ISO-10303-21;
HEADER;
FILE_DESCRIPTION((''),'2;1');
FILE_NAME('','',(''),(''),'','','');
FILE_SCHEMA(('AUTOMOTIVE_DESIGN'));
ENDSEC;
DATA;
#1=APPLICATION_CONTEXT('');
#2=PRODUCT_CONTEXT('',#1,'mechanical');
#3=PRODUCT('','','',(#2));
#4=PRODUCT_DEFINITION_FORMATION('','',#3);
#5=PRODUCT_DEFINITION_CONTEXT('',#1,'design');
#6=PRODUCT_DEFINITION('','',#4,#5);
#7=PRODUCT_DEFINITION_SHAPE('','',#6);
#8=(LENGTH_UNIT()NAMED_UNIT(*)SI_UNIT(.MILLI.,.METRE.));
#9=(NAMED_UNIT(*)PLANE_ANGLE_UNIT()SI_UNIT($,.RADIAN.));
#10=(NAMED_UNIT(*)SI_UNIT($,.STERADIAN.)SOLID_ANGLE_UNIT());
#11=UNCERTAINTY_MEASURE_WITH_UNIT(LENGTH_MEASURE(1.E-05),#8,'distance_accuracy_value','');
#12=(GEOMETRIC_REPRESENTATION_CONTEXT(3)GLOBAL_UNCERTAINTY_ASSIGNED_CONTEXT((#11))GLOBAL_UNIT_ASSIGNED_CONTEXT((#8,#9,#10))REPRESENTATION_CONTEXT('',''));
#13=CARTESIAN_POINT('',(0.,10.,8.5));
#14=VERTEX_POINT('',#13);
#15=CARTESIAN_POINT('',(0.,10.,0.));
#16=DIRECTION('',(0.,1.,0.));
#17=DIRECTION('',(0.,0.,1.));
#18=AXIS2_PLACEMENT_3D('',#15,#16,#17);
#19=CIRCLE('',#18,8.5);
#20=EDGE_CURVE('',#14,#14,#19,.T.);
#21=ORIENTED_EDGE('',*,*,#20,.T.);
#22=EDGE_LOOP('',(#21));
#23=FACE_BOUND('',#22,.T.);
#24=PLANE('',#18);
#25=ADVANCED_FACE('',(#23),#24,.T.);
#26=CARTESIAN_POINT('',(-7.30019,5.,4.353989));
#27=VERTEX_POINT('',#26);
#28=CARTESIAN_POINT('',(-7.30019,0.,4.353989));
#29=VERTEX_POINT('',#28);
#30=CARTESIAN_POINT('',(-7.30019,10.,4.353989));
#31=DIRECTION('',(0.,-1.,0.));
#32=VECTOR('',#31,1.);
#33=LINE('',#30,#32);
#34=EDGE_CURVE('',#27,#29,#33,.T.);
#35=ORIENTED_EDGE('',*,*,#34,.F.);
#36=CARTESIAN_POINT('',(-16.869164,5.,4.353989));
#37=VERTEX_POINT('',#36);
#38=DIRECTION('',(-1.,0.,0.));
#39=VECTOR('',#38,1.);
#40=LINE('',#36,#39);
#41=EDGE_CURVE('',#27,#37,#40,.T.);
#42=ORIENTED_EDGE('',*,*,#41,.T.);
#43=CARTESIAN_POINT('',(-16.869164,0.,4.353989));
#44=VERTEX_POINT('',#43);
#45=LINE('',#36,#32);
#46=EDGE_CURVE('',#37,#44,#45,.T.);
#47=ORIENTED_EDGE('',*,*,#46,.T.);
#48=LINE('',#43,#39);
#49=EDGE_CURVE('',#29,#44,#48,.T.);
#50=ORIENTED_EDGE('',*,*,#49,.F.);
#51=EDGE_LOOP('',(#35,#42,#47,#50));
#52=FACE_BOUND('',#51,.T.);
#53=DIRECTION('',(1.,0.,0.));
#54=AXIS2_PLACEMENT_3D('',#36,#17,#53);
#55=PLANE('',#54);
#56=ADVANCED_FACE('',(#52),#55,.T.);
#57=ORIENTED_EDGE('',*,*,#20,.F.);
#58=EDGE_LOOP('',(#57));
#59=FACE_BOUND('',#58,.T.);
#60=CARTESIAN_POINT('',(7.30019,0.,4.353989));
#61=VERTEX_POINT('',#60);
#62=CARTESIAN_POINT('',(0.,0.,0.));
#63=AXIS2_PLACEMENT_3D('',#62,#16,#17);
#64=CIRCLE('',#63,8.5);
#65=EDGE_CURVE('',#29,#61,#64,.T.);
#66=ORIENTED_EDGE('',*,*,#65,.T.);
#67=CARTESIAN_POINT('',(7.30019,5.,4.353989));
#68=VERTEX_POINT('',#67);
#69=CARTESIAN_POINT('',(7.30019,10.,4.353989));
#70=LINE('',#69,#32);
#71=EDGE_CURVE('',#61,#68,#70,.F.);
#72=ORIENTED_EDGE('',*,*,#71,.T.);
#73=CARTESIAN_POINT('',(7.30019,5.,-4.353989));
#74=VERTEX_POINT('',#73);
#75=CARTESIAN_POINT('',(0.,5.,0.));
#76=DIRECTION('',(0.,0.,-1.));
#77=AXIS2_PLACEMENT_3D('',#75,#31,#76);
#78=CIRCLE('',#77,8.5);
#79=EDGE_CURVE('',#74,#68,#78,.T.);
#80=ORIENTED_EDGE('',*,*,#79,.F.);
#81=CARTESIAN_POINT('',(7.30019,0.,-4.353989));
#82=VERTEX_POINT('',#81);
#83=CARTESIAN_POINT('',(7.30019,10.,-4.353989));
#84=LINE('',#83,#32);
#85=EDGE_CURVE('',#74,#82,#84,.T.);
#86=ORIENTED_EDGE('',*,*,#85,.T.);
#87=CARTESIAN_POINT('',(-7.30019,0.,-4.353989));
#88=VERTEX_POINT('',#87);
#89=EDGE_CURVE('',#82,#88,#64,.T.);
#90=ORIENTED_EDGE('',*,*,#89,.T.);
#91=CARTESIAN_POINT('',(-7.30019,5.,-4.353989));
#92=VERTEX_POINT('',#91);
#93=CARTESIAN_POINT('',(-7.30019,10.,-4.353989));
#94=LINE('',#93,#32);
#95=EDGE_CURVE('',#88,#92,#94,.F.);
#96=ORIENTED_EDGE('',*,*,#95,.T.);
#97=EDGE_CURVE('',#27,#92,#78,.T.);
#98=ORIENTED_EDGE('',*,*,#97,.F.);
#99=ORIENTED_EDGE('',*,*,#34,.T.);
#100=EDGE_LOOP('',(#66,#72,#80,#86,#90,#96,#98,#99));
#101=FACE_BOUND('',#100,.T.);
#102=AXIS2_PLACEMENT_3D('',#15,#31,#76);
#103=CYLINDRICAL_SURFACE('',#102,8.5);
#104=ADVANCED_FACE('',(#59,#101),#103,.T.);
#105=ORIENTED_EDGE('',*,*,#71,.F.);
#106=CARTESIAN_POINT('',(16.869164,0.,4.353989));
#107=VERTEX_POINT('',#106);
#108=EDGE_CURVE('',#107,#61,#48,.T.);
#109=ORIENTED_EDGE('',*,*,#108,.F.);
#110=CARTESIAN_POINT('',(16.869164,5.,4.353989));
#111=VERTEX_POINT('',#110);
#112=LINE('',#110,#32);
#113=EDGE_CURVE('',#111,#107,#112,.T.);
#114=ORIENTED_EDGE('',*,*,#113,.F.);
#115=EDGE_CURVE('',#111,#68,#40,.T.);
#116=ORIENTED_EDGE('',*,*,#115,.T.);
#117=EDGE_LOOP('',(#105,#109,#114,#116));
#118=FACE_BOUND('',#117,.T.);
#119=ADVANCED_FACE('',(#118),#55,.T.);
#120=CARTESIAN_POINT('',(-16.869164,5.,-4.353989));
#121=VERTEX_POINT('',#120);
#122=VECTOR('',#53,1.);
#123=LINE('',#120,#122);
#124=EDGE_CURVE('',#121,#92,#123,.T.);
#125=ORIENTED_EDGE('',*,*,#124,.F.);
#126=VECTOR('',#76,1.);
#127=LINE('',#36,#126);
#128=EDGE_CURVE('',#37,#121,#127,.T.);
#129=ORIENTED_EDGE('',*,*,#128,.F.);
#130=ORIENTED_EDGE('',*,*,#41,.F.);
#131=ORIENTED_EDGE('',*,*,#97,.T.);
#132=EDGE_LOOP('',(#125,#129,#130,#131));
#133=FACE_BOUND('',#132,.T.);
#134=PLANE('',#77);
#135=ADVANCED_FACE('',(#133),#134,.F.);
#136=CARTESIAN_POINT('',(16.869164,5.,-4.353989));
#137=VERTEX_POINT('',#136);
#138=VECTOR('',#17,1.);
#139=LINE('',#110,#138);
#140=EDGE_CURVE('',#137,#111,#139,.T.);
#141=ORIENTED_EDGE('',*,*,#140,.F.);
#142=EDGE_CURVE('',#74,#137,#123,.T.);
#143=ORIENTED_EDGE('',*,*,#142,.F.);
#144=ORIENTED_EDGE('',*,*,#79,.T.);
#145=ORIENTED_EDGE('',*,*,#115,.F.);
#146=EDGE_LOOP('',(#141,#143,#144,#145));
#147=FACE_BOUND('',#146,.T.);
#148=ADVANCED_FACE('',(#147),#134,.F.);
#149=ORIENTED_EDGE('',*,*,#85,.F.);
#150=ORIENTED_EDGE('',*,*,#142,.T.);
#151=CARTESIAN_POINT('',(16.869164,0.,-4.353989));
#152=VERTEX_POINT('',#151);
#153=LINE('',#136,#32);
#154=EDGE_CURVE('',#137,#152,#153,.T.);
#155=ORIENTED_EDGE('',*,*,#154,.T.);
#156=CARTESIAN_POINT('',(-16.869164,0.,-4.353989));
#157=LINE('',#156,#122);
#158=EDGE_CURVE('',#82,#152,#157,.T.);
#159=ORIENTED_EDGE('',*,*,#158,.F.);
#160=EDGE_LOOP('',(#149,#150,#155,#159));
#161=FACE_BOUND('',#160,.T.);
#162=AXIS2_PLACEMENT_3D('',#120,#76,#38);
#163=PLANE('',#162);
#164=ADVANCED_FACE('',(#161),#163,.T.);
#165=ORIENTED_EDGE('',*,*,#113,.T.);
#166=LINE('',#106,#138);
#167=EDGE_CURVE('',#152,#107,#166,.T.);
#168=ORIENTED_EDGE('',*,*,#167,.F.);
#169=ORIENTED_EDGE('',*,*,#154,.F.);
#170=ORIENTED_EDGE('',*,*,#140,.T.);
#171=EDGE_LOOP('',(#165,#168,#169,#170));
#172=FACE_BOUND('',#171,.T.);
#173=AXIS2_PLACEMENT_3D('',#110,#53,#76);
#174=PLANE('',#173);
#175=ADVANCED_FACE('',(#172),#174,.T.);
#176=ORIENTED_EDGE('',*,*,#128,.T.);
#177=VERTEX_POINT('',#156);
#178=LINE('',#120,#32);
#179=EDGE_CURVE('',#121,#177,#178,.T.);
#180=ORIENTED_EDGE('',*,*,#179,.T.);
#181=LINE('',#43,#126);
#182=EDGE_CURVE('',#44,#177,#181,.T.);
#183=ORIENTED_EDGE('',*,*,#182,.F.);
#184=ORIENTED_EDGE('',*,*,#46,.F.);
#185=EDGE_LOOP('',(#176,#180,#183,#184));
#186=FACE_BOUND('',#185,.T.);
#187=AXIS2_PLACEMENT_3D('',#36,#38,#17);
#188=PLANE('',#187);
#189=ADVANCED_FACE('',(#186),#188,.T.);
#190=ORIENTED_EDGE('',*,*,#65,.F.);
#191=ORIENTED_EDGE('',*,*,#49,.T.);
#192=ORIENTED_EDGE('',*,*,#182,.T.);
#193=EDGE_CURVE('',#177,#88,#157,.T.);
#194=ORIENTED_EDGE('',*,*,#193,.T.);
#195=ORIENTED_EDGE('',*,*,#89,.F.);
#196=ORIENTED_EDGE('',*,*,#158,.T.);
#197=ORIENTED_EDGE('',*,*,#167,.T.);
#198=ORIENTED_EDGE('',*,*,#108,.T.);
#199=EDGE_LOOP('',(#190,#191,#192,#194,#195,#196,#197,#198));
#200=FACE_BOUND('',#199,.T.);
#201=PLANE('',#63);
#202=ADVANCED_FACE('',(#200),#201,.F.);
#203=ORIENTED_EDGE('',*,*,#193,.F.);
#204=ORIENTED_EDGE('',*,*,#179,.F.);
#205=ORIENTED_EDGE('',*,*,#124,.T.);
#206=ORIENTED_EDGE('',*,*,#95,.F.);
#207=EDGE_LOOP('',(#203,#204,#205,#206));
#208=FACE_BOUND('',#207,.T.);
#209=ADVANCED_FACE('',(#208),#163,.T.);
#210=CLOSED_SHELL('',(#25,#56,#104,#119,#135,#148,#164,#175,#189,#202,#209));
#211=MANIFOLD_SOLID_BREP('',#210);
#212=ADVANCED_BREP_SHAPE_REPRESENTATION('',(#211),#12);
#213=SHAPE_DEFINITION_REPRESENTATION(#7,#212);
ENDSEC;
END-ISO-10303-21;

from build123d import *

# Parameters (mm, degrees)
SKETCH1_R           = 8.5
BOSS_EXTRUDE1_DEPTH = 10
SKETCH3_W           = 33.738328928
SKETCH3_H           = 8.707977782
BOSS_EXTRUDE2_DEPTH = 5


with BuildPart() as part:
    # Sketch1 → Boss-Extrude1 (new body)
    with BuildSketch(Plane(origin=(0, 0, 0), x_dir=(1, 0, 0), z_dir=(0, 1, 0))):
        with Locations(Location((0, 0, 0), (0, 0, 270))):
            Circle(SKETCH1_R)
    extrude(amount=BOSS_EXTRUDE1_DEPTH)

    # Sketch3 → Boss-Extrude2 (add)
    with BuildSketch(Plane.XZ):
        Rectangle(SKETCH3_W, SKETCH3_H)
    extrude(amount=-BOSS_EXTRUDE2_DEPTH)


solid = part.part
